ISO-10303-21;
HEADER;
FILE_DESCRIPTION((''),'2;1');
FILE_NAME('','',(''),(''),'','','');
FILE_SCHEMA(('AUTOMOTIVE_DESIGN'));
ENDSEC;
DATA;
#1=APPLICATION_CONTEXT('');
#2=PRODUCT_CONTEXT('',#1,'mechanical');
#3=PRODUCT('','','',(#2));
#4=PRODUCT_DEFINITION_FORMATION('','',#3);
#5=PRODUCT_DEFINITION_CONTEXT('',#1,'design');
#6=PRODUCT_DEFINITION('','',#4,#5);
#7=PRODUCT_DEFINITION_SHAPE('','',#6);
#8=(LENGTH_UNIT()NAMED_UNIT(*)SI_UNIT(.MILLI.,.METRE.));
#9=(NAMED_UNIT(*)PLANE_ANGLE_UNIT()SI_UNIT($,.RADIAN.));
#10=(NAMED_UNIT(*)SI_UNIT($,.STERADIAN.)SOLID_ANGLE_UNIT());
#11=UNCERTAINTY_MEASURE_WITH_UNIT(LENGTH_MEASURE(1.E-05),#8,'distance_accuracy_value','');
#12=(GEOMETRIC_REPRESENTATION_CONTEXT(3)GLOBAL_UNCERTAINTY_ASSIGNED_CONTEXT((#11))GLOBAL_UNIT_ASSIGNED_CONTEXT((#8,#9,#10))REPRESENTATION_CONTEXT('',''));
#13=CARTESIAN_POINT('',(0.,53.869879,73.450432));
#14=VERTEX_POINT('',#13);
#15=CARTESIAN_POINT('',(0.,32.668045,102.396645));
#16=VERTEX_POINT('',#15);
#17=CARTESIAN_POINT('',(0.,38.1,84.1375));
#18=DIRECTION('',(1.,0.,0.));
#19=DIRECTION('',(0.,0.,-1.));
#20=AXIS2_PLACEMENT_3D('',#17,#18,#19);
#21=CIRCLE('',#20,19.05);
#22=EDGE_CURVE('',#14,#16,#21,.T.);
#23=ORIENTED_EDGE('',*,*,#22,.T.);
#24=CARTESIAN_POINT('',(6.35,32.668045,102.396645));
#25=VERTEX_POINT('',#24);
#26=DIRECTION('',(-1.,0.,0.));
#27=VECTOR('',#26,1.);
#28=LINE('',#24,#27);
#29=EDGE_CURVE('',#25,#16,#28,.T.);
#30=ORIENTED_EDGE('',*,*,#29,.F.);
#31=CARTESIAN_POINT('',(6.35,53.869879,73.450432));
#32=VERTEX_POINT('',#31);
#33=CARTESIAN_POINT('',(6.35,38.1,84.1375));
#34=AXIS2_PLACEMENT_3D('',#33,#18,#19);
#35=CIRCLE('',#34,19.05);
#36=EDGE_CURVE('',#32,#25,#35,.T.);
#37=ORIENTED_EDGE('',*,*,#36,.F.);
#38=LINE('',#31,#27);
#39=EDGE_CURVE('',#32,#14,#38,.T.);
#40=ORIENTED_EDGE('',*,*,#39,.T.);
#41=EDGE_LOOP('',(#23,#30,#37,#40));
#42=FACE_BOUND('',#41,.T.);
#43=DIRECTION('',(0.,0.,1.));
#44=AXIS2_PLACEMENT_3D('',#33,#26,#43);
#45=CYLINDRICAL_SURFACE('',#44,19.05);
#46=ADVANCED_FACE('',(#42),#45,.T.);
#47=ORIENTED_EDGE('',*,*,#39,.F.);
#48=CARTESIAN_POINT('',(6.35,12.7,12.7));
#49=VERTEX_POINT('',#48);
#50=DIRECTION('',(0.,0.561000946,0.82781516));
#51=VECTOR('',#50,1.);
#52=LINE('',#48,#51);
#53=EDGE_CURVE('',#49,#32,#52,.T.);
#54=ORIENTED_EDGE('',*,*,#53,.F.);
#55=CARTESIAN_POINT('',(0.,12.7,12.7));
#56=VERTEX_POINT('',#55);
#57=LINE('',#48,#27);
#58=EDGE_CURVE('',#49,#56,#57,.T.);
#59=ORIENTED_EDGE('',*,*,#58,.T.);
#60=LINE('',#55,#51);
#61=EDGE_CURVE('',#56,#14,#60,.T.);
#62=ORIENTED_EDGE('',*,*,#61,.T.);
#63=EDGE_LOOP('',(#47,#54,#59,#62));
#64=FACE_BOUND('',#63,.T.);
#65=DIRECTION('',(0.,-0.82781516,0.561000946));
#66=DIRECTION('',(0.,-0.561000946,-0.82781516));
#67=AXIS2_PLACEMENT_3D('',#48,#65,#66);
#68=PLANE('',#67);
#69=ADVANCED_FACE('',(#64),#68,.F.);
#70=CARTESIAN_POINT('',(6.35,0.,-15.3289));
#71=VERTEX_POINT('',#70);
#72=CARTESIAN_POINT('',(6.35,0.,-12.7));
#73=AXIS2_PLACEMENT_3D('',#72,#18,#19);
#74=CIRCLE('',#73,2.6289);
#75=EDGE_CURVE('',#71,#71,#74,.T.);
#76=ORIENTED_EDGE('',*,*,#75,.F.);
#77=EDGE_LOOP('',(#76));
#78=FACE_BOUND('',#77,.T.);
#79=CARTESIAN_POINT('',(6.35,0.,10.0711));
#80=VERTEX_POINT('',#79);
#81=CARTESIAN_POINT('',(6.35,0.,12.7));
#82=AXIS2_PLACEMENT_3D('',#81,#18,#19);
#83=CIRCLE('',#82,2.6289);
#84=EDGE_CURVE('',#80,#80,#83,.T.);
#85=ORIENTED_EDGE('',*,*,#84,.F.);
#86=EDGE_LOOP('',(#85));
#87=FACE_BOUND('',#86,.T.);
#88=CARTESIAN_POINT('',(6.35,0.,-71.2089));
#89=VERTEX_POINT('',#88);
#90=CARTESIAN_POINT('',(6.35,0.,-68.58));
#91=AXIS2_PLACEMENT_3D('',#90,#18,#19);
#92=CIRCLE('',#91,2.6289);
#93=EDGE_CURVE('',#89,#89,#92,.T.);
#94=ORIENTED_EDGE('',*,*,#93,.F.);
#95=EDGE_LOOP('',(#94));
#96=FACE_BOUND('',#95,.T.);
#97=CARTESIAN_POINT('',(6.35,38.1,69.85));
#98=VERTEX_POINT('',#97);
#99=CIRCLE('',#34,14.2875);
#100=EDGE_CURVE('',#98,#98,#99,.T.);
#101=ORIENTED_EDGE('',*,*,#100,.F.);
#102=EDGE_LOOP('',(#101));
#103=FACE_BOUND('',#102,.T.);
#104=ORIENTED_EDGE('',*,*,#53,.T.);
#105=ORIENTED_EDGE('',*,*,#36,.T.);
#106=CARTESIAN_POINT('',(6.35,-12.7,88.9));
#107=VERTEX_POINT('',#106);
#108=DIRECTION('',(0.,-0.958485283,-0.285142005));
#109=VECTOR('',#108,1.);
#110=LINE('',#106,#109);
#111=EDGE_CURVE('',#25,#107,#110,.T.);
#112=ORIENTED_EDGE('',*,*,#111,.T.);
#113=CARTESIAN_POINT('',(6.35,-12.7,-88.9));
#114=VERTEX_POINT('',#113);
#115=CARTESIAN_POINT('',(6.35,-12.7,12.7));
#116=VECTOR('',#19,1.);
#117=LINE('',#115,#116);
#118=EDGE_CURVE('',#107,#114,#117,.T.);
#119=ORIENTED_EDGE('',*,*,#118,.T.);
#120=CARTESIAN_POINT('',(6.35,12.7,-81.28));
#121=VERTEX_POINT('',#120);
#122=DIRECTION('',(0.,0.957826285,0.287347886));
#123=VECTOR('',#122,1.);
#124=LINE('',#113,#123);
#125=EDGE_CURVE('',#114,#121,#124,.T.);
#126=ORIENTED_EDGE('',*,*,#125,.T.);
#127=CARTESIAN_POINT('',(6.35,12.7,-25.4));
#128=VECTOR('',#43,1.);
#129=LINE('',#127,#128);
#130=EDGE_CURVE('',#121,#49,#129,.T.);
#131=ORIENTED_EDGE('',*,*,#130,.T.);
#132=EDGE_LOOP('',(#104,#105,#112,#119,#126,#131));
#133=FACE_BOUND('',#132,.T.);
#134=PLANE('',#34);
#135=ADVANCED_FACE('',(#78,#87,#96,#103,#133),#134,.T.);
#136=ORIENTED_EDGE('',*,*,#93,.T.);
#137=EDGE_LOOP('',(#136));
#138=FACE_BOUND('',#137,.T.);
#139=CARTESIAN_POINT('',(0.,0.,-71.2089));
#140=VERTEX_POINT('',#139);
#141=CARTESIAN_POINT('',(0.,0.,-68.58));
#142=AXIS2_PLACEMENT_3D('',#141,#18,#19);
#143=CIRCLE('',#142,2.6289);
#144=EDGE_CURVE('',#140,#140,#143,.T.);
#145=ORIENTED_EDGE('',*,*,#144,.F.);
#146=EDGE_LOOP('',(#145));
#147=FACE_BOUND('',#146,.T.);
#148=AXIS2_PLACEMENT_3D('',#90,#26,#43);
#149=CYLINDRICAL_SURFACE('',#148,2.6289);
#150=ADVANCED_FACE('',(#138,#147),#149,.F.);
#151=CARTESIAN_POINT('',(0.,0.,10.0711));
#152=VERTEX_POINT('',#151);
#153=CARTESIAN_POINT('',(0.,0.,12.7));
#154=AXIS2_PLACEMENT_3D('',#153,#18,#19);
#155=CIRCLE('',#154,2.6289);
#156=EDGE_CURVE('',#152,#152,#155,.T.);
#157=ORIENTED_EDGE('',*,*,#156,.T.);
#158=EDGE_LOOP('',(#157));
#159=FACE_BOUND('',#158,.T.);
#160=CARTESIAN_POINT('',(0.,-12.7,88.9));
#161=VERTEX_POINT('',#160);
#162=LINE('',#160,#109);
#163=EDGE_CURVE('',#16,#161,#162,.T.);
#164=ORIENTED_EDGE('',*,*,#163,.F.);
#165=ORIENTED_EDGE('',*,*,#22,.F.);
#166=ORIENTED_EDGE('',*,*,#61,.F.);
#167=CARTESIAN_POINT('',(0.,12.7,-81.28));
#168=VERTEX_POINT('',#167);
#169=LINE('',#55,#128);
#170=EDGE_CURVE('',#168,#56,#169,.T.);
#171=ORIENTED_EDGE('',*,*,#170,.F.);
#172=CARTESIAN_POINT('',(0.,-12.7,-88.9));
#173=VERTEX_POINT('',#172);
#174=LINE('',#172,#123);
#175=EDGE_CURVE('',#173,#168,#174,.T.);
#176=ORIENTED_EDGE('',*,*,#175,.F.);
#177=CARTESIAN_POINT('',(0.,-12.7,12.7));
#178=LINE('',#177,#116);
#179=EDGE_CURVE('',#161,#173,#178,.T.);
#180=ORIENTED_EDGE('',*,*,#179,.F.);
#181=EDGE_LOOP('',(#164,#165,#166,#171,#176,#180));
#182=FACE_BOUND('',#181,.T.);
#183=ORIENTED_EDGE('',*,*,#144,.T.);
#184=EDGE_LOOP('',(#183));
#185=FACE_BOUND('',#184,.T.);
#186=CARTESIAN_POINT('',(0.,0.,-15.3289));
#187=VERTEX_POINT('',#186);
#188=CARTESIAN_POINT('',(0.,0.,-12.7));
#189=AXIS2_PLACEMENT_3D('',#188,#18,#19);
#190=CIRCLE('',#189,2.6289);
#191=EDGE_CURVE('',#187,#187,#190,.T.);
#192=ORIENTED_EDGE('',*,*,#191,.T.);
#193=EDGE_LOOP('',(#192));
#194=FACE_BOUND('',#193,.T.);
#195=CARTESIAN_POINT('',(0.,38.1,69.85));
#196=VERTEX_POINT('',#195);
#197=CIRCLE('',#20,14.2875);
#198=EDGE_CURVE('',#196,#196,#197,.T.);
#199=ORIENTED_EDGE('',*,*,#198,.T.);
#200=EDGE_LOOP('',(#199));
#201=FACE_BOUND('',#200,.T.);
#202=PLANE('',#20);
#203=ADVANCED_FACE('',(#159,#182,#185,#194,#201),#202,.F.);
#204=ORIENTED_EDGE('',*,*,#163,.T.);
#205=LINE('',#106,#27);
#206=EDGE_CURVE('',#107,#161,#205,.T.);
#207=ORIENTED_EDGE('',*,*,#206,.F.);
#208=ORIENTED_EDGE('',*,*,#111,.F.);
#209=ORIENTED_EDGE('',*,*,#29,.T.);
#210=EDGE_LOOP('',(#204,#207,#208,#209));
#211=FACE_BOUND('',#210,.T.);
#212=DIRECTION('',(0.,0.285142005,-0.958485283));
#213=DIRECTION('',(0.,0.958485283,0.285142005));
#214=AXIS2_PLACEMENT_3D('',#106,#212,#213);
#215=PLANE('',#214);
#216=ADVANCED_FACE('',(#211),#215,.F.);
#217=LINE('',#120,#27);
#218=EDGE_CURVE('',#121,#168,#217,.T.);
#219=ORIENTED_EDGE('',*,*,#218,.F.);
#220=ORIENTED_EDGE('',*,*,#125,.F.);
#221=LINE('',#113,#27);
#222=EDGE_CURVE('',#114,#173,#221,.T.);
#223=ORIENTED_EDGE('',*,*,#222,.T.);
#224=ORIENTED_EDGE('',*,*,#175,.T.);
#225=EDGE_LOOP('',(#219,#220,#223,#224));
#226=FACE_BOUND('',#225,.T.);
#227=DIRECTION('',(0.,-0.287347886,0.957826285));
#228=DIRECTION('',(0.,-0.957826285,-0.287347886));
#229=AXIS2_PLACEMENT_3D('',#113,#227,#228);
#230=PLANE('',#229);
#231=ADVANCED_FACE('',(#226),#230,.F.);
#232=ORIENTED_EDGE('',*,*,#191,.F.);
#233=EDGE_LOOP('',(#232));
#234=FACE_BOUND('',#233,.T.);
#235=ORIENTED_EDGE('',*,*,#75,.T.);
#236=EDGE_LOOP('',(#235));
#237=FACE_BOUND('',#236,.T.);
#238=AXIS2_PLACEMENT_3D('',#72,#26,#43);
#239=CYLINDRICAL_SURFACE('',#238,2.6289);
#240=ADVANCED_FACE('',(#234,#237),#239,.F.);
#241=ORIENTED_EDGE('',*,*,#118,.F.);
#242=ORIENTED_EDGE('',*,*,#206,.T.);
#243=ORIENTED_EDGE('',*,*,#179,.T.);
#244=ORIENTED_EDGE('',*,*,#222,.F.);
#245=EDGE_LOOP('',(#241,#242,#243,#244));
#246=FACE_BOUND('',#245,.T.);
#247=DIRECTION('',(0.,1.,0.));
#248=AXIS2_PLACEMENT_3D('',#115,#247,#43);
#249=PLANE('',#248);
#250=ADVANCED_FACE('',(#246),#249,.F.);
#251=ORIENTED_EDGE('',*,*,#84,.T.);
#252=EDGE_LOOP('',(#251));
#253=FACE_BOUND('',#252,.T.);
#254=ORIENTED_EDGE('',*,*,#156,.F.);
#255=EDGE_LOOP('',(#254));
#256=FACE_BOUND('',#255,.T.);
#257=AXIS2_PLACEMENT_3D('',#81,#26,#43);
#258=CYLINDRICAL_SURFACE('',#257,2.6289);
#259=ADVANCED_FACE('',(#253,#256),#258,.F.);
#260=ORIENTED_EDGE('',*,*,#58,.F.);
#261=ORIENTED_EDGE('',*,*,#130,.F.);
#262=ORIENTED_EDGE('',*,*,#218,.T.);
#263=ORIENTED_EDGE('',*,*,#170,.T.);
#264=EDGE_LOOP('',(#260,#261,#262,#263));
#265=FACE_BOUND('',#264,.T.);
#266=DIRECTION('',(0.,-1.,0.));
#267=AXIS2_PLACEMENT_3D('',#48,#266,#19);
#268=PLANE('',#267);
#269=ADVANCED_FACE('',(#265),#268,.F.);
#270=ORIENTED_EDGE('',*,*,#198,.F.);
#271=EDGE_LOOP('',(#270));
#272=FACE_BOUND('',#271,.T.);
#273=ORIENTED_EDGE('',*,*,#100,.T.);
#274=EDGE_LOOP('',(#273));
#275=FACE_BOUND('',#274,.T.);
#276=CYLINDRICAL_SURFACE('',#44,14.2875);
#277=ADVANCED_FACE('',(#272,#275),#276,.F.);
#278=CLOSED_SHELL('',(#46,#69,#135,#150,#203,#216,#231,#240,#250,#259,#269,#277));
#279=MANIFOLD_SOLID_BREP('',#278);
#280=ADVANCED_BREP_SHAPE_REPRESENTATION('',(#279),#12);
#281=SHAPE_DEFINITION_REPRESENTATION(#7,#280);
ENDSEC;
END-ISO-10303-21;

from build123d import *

# Parameters (mm, degrees)
SKETCH1_R           = 14.2875
SKETCH1_R_2         = 2.6289
BOSS_EXTRUDE1_DEPTH = 6.35


with BuildPart() as part:
    # Sketch1 → Boss-Extrude1 (new body)
    with BuildSketch(Plane(origin=(0, 0, 0), x_dir=(0, 0, -1), z_dir=(1, 0, 0))):
        with BuildLine():
            Line((-12.7, -12.7), (-88.9, -12.7))
            Line((-88.9, -12.7), (-102.396644635, 32.66804481))
            ThreePointArc((-102.396644635, 32.66804481), (-95.394210317, 53.468440807), (-73.450431984, 53.869878795))
            Line((-73.450431984, 53.869878795), (-12.7, 12.7))
            Line((-12.7, 12.7), (25.4, 12.7))
            Line((25.4, 12.7), (81.28, 12.7))
            Line((81.28, 12.7), (88.9, -12.7))
            Line((88.9, -12.7), (25.4, -12.7))
            Line((25.4, -12.7), (-12.7, -12.7))
        make_face()
        with Locations((-84.1375, 38.1)):
            Circle(SKETCH1_R, mode=Mode.SUBTRACT)
        with Locations((-12.7, 0)):
            Circle(SKETCH1_R_2, mode=Mode.SUBTRACT)
        with Locations((12.7, 0)):
            Circle(SKETCH1_R_2, mode=Mode.SUBTRACT)
        with Locations((68.58, 0)):
            Circle(SKETCH1_R_2, mode=Mode.SUBTRACT)
    extrude(amount=BOSS_EXTRUDE1_DEPTH)


solid = part.part
